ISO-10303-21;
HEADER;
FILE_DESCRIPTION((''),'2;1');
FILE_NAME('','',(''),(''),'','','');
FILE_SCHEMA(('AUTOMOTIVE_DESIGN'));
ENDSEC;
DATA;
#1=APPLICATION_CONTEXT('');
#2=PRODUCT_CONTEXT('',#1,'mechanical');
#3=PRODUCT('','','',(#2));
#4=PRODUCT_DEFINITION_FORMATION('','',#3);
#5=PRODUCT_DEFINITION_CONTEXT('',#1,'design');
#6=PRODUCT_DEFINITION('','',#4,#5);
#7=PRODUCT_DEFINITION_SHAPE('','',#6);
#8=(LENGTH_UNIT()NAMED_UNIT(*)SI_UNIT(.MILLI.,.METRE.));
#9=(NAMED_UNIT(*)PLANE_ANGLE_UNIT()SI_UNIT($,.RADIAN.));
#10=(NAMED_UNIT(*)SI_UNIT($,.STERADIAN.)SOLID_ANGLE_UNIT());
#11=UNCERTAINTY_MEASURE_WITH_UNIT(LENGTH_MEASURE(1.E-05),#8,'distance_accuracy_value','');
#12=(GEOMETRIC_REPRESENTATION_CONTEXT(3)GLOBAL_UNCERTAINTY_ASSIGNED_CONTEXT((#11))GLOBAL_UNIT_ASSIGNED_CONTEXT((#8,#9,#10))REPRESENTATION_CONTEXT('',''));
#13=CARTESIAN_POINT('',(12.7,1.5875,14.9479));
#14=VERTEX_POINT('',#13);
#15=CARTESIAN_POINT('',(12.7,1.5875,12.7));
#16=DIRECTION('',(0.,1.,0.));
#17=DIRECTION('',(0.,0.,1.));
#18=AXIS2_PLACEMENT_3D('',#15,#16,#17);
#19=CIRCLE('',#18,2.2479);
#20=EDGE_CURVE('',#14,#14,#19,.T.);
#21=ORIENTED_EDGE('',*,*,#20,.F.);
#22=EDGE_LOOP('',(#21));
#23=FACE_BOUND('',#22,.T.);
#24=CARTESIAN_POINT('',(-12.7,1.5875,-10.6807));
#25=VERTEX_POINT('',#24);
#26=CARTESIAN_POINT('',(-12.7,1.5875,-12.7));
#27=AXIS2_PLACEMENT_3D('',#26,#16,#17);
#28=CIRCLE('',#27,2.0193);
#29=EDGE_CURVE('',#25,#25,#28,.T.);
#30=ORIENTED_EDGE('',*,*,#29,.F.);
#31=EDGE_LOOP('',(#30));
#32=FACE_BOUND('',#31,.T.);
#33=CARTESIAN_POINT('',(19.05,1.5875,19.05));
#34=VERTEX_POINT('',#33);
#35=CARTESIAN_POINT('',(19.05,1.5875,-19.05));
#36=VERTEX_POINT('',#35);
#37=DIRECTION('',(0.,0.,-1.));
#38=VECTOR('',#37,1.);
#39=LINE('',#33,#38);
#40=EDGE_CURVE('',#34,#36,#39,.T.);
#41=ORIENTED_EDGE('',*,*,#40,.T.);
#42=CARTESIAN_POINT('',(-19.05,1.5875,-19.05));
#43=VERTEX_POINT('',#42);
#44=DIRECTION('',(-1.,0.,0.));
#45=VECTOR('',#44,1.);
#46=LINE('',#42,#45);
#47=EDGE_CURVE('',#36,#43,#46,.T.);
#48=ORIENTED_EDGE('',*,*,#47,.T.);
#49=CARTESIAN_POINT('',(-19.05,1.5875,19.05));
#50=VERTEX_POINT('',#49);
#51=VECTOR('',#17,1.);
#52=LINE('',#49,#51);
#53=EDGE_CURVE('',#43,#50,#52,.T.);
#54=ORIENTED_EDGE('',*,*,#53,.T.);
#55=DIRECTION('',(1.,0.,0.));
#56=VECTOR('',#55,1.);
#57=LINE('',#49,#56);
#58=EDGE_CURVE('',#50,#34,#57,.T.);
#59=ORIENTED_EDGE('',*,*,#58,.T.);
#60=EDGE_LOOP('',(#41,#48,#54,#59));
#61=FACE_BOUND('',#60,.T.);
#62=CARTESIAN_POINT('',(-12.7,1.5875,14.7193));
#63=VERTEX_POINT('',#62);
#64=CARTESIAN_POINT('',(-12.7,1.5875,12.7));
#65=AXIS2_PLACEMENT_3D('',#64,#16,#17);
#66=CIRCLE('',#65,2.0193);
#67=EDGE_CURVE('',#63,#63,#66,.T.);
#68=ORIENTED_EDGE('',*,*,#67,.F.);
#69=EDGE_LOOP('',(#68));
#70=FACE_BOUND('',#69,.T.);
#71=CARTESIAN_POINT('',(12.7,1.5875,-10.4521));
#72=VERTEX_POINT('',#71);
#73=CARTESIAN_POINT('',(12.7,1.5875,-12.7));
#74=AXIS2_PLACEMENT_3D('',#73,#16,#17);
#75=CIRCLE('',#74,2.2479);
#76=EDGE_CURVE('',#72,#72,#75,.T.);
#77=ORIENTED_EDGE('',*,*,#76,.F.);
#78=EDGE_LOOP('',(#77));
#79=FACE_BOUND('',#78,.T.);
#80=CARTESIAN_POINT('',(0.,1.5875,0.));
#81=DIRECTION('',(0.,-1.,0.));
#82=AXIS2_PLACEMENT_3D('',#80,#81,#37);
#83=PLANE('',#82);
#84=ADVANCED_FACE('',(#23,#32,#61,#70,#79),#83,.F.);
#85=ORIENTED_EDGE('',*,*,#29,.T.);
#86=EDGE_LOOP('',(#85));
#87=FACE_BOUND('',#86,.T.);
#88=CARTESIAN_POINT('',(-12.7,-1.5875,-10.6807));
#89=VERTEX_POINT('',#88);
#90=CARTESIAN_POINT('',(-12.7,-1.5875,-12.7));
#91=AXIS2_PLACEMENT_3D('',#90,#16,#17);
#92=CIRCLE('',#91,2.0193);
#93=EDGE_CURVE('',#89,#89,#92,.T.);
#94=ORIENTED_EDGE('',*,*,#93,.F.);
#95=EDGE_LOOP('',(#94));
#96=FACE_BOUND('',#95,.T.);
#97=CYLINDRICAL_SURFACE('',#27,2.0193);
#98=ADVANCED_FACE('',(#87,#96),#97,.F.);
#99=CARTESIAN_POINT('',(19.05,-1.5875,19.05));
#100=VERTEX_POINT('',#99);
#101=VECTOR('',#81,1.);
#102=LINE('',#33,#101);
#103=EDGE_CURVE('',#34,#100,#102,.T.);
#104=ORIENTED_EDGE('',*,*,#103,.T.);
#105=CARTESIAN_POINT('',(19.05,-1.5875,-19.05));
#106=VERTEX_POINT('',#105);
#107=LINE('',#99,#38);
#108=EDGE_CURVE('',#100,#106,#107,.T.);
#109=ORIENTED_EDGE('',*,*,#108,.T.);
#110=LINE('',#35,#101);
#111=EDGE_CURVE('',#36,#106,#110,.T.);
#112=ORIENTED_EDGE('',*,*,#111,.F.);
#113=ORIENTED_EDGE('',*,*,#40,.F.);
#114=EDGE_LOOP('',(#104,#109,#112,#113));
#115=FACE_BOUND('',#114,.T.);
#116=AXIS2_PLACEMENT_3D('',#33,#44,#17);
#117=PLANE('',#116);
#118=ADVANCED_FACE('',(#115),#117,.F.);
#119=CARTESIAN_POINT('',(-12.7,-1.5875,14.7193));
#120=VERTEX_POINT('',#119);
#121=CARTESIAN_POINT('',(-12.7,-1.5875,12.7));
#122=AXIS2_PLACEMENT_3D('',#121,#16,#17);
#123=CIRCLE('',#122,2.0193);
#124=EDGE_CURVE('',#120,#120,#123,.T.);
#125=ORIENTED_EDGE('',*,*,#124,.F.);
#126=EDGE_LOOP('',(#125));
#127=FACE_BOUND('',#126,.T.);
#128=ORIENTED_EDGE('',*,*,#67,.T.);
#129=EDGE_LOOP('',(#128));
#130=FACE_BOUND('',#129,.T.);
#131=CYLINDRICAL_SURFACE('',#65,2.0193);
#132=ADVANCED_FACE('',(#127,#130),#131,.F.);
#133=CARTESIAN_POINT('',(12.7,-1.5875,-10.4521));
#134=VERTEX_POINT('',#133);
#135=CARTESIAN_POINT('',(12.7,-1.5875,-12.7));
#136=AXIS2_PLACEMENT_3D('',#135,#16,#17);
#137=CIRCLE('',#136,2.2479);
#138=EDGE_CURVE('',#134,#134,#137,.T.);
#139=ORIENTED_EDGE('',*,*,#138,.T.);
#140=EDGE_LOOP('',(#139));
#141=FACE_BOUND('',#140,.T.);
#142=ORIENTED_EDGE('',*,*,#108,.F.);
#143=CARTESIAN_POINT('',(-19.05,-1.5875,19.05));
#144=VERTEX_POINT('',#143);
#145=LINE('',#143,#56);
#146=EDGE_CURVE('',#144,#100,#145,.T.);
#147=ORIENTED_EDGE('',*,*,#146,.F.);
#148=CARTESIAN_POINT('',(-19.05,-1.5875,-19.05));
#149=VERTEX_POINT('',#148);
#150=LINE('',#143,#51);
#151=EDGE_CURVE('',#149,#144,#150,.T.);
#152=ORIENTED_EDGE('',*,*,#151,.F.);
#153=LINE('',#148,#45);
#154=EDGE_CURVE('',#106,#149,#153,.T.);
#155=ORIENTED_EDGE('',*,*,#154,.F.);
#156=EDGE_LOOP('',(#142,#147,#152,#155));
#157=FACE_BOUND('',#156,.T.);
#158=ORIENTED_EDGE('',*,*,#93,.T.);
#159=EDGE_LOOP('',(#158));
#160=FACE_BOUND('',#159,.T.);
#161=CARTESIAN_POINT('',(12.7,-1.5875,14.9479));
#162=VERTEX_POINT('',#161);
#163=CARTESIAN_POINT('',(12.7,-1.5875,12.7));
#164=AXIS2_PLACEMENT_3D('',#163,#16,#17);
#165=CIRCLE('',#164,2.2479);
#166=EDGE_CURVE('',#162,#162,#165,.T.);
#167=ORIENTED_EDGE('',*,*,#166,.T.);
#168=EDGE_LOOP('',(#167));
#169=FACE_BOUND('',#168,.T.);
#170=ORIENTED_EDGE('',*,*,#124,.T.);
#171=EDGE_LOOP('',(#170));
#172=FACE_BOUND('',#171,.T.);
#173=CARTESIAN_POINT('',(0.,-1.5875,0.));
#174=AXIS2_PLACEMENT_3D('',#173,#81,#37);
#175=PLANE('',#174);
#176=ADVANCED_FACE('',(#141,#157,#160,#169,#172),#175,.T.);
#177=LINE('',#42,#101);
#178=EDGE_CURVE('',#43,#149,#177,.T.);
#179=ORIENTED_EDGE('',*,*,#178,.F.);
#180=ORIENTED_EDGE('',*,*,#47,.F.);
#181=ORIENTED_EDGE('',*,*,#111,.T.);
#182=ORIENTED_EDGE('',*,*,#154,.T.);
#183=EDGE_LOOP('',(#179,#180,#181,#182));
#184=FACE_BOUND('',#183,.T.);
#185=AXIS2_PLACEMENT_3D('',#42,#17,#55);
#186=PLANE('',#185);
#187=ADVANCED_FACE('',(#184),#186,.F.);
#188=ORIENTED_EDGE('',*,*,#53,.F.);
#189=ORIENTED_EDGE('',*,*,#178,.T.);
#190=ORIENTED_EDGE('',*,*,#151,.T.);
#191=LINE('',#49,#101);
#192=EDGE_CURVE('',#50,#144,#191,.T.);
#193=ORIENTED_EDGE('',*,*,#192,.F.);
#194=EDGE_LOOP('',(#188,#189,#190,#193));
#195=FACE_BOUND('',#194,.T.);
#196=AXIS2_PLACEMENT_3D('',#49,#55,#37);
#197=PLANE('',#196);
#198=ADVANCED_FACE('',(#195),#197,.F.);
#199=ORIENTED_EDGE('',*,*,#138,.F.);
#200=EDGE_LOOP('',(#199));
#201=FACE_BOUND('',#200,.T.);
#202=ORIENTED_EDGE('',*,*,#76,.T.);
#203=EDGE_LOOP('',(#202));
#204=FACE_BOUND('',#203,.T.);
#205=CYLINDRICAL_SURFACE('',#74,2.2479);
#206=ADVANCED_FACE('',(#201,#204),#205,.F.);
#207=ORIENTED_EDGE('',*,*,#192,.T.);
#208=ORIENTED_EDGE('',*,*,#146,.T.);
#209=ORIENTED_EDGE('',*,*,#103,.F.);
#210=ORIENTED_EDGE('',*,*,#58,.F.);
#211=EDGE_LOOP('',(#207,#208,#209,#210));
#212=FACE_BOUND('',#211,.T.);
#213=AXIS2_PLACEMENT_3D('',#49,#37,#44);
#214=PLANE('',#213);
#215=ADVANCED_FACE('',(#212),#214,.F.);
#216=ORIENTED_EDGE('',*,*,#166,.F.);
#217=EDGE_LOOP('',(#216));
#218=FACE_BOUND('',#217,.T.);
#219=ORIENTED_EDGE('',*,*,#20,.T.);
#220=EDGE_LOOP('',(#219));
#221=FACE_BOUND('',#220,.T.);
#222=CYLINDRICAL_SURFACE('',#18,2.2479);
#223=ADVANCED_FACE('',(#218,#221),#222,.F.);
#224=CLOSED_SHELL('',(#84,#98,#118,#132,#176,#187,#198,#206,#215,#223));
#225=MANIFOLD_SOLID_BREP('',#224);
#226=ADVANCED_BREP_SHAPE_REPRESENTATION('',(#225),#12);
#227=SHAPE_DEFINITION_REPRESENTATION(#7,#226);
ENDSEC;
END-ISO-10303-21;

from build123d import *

# Parameters (mm, degrees)
SKETCH1_W              = 38.1
SKETCH1_H              = 38.1
BOSS_EXTRUDE1_DEPTH    = 1.5875
F_10_32_TAPPED_HOLE1_D = 4.0386
F_8_CLEARANCE_HOLE1_D  = 4.4958


with BuildPart() as part:
    # Sketch1 → Boss-Extrude1 (new, symmetric)
    with BuildSketch(Plane(origin=(0, 0, 0), x_dir=(1, 0, 0), z_dir=(0, 1, 0))):
        Rectangle(SKETCH1_W, SKETCH1_H)
    extrude(amount=BOSS_EXTRUDE1_DEPTH, both=True)

    # #10-32 Tapped Hole1 (through all)
    with Locations(Plane(origin=(0, 1.5875, 0), x_dir=(1, 0, 0), z_dir=(0, 1, 0))):
        with Locations((-12.7, 12.7), (-12.7, -12.7)):
            Hole(F_10_32_TAPPED_HOLE1_D / 2)

    # #8 Clearance Hole1 (through all)
    with Locations(Plane(origin=(0, 1.5875, 0), x_dir=(1, 0, 0), z_dir=(0, 1, 0))):
        with Locations((12.7, 12.7), (12.7, -12.7)):
            Hole(F_8_CLEARANCE_HOLE1_D / 2)


solid = part.part
